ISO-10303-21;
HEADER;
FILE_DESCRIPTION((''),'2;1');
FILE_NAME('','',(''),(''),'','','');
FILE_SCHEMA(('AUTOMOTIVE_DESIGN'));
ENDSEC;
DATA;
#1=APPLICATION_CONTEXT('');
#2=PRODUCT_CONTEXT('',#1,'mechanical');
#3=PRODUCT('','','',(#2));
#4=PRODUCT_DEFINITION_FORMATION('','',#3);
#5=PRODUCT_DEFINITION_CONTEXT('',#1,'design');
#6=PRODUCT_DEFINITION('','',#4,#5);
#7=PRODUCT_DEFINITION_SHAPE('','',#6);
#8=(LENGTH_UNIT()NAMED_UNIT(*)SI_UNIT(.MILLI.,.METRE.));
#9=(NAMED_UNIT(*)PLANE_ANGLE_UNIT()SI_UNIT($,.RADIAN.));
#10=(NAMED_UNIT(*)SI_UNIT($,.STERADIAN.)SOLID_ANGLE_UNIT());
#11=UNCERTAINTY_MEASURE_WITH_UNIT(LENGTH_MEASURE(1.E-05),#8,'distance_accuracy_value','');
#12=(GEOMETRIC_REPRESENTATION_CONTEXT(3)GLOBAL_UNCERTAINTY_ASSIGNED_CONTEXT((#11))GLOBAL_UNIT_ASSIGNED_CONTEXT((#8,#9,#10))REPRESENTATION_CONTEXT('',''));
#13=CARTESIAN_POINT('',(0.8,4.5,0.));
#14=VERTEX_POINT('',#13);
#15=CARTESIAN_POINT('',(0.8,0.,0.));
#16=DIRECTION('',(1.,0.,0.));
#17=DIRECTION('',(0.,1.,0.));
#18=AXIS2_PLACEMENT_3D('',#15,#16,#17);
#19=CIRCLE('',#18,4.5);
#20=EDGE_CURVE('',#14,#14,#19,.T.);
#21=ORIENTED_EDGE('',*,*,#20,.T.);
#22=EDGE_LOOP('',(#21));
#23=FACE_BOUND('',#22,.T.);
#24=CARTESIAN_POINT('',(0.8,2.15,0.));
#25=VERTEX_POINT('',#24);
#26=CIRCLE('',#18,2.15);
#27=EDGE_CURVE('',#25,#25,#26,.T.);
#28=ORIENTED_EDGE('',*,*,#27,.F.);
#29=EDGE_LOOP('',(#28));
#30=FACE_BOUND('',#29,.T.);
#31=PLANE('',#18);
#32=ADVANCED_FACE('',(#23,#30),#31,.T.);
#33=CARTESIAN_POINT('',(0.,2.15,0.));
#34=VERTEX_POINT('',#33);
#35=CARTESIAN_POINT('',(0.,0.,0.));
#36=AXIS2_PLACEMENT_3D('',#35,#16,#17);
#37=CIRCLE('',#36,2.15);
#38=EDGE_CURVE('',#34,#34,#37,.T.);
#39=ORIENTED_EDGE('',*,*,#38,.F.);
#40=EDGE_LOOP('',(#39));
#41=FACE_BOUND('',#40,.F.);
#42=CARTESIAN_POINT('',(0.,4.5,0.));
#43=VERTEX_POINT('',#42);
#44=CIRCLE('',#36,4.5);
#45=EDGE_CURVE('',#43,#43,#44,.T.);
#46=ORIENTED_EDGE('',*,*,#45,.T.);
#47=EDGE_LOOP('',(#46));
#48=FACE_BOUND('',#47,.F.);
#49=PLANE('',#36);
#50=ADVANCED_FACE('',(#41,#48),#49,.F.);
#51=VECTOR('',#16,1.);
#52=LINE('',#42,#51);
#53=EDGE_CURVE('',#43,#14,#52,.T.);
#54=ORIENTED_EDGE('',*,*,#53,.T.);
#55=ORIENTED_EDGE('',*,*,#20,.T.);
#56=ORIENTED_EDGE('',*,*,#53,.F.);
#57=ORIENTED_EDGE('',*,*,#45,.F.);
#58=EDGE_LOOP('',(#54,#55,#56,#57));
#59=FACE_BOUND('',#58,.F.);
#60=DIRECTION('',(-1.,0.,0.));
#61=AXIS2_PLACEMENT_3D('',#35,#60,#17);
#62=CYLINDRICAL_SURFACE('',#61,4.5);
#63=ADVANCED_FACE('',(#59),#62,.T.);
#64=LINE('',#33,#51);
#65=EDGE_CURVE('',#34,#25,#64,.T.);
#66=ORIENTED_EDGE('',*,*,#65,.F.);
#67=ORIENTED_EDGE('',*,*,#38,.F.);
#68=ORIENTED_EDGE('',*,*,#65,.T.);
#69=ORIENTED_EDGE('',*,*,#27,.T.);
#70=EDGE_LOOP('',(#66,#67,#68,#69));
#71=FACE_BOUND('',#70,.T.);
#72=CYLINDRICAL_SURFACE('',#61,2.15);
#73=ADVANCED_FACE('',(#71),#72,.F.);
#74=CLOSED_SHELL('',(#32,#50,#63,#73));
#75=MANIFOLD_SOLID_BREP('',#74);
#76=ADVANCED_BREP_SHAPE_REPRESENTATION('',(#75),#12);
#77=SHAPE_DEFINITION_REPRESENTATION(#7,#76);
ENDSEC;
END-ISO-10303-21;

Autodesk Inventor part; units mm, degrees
ref_plane "YZ Plane" through (0, 0, 0) normal (1, 0, 0) x (0, 1, 0)
ref_plane "XZ Plane" through (0, 0, 0) normal (0, 1, 0) x (-1, 0, 0)
sketch "Sketch" plane through (0, 0, 0) normal (1, 0, 0) x (0, 1, 0)
  circle A0 centre (0, 0) radius 4.5
  circle A1 centre (0, 0) radius 2.15
  dimension "d0" = 4.3
  dimension "d1" = 9
extrude "Body" add sketch "Sketch" along normal blind 0.8
ref_plane "Work Plane1" through (0, 0, 0) normal (0, 0, 1) x (1, 0, 0)
equation "\"d0\" = SD1"
equation "\"d1\" = SD2"
equation "\"d2\" = SD"
equation "\"SD1\" = 4.3"
equation "\"SD2\" = 9"
equation "\"SD\" = 0.8"
equation "\"NND\" = 4"
properties part number "washer_m4" material "Steel, Mild"
